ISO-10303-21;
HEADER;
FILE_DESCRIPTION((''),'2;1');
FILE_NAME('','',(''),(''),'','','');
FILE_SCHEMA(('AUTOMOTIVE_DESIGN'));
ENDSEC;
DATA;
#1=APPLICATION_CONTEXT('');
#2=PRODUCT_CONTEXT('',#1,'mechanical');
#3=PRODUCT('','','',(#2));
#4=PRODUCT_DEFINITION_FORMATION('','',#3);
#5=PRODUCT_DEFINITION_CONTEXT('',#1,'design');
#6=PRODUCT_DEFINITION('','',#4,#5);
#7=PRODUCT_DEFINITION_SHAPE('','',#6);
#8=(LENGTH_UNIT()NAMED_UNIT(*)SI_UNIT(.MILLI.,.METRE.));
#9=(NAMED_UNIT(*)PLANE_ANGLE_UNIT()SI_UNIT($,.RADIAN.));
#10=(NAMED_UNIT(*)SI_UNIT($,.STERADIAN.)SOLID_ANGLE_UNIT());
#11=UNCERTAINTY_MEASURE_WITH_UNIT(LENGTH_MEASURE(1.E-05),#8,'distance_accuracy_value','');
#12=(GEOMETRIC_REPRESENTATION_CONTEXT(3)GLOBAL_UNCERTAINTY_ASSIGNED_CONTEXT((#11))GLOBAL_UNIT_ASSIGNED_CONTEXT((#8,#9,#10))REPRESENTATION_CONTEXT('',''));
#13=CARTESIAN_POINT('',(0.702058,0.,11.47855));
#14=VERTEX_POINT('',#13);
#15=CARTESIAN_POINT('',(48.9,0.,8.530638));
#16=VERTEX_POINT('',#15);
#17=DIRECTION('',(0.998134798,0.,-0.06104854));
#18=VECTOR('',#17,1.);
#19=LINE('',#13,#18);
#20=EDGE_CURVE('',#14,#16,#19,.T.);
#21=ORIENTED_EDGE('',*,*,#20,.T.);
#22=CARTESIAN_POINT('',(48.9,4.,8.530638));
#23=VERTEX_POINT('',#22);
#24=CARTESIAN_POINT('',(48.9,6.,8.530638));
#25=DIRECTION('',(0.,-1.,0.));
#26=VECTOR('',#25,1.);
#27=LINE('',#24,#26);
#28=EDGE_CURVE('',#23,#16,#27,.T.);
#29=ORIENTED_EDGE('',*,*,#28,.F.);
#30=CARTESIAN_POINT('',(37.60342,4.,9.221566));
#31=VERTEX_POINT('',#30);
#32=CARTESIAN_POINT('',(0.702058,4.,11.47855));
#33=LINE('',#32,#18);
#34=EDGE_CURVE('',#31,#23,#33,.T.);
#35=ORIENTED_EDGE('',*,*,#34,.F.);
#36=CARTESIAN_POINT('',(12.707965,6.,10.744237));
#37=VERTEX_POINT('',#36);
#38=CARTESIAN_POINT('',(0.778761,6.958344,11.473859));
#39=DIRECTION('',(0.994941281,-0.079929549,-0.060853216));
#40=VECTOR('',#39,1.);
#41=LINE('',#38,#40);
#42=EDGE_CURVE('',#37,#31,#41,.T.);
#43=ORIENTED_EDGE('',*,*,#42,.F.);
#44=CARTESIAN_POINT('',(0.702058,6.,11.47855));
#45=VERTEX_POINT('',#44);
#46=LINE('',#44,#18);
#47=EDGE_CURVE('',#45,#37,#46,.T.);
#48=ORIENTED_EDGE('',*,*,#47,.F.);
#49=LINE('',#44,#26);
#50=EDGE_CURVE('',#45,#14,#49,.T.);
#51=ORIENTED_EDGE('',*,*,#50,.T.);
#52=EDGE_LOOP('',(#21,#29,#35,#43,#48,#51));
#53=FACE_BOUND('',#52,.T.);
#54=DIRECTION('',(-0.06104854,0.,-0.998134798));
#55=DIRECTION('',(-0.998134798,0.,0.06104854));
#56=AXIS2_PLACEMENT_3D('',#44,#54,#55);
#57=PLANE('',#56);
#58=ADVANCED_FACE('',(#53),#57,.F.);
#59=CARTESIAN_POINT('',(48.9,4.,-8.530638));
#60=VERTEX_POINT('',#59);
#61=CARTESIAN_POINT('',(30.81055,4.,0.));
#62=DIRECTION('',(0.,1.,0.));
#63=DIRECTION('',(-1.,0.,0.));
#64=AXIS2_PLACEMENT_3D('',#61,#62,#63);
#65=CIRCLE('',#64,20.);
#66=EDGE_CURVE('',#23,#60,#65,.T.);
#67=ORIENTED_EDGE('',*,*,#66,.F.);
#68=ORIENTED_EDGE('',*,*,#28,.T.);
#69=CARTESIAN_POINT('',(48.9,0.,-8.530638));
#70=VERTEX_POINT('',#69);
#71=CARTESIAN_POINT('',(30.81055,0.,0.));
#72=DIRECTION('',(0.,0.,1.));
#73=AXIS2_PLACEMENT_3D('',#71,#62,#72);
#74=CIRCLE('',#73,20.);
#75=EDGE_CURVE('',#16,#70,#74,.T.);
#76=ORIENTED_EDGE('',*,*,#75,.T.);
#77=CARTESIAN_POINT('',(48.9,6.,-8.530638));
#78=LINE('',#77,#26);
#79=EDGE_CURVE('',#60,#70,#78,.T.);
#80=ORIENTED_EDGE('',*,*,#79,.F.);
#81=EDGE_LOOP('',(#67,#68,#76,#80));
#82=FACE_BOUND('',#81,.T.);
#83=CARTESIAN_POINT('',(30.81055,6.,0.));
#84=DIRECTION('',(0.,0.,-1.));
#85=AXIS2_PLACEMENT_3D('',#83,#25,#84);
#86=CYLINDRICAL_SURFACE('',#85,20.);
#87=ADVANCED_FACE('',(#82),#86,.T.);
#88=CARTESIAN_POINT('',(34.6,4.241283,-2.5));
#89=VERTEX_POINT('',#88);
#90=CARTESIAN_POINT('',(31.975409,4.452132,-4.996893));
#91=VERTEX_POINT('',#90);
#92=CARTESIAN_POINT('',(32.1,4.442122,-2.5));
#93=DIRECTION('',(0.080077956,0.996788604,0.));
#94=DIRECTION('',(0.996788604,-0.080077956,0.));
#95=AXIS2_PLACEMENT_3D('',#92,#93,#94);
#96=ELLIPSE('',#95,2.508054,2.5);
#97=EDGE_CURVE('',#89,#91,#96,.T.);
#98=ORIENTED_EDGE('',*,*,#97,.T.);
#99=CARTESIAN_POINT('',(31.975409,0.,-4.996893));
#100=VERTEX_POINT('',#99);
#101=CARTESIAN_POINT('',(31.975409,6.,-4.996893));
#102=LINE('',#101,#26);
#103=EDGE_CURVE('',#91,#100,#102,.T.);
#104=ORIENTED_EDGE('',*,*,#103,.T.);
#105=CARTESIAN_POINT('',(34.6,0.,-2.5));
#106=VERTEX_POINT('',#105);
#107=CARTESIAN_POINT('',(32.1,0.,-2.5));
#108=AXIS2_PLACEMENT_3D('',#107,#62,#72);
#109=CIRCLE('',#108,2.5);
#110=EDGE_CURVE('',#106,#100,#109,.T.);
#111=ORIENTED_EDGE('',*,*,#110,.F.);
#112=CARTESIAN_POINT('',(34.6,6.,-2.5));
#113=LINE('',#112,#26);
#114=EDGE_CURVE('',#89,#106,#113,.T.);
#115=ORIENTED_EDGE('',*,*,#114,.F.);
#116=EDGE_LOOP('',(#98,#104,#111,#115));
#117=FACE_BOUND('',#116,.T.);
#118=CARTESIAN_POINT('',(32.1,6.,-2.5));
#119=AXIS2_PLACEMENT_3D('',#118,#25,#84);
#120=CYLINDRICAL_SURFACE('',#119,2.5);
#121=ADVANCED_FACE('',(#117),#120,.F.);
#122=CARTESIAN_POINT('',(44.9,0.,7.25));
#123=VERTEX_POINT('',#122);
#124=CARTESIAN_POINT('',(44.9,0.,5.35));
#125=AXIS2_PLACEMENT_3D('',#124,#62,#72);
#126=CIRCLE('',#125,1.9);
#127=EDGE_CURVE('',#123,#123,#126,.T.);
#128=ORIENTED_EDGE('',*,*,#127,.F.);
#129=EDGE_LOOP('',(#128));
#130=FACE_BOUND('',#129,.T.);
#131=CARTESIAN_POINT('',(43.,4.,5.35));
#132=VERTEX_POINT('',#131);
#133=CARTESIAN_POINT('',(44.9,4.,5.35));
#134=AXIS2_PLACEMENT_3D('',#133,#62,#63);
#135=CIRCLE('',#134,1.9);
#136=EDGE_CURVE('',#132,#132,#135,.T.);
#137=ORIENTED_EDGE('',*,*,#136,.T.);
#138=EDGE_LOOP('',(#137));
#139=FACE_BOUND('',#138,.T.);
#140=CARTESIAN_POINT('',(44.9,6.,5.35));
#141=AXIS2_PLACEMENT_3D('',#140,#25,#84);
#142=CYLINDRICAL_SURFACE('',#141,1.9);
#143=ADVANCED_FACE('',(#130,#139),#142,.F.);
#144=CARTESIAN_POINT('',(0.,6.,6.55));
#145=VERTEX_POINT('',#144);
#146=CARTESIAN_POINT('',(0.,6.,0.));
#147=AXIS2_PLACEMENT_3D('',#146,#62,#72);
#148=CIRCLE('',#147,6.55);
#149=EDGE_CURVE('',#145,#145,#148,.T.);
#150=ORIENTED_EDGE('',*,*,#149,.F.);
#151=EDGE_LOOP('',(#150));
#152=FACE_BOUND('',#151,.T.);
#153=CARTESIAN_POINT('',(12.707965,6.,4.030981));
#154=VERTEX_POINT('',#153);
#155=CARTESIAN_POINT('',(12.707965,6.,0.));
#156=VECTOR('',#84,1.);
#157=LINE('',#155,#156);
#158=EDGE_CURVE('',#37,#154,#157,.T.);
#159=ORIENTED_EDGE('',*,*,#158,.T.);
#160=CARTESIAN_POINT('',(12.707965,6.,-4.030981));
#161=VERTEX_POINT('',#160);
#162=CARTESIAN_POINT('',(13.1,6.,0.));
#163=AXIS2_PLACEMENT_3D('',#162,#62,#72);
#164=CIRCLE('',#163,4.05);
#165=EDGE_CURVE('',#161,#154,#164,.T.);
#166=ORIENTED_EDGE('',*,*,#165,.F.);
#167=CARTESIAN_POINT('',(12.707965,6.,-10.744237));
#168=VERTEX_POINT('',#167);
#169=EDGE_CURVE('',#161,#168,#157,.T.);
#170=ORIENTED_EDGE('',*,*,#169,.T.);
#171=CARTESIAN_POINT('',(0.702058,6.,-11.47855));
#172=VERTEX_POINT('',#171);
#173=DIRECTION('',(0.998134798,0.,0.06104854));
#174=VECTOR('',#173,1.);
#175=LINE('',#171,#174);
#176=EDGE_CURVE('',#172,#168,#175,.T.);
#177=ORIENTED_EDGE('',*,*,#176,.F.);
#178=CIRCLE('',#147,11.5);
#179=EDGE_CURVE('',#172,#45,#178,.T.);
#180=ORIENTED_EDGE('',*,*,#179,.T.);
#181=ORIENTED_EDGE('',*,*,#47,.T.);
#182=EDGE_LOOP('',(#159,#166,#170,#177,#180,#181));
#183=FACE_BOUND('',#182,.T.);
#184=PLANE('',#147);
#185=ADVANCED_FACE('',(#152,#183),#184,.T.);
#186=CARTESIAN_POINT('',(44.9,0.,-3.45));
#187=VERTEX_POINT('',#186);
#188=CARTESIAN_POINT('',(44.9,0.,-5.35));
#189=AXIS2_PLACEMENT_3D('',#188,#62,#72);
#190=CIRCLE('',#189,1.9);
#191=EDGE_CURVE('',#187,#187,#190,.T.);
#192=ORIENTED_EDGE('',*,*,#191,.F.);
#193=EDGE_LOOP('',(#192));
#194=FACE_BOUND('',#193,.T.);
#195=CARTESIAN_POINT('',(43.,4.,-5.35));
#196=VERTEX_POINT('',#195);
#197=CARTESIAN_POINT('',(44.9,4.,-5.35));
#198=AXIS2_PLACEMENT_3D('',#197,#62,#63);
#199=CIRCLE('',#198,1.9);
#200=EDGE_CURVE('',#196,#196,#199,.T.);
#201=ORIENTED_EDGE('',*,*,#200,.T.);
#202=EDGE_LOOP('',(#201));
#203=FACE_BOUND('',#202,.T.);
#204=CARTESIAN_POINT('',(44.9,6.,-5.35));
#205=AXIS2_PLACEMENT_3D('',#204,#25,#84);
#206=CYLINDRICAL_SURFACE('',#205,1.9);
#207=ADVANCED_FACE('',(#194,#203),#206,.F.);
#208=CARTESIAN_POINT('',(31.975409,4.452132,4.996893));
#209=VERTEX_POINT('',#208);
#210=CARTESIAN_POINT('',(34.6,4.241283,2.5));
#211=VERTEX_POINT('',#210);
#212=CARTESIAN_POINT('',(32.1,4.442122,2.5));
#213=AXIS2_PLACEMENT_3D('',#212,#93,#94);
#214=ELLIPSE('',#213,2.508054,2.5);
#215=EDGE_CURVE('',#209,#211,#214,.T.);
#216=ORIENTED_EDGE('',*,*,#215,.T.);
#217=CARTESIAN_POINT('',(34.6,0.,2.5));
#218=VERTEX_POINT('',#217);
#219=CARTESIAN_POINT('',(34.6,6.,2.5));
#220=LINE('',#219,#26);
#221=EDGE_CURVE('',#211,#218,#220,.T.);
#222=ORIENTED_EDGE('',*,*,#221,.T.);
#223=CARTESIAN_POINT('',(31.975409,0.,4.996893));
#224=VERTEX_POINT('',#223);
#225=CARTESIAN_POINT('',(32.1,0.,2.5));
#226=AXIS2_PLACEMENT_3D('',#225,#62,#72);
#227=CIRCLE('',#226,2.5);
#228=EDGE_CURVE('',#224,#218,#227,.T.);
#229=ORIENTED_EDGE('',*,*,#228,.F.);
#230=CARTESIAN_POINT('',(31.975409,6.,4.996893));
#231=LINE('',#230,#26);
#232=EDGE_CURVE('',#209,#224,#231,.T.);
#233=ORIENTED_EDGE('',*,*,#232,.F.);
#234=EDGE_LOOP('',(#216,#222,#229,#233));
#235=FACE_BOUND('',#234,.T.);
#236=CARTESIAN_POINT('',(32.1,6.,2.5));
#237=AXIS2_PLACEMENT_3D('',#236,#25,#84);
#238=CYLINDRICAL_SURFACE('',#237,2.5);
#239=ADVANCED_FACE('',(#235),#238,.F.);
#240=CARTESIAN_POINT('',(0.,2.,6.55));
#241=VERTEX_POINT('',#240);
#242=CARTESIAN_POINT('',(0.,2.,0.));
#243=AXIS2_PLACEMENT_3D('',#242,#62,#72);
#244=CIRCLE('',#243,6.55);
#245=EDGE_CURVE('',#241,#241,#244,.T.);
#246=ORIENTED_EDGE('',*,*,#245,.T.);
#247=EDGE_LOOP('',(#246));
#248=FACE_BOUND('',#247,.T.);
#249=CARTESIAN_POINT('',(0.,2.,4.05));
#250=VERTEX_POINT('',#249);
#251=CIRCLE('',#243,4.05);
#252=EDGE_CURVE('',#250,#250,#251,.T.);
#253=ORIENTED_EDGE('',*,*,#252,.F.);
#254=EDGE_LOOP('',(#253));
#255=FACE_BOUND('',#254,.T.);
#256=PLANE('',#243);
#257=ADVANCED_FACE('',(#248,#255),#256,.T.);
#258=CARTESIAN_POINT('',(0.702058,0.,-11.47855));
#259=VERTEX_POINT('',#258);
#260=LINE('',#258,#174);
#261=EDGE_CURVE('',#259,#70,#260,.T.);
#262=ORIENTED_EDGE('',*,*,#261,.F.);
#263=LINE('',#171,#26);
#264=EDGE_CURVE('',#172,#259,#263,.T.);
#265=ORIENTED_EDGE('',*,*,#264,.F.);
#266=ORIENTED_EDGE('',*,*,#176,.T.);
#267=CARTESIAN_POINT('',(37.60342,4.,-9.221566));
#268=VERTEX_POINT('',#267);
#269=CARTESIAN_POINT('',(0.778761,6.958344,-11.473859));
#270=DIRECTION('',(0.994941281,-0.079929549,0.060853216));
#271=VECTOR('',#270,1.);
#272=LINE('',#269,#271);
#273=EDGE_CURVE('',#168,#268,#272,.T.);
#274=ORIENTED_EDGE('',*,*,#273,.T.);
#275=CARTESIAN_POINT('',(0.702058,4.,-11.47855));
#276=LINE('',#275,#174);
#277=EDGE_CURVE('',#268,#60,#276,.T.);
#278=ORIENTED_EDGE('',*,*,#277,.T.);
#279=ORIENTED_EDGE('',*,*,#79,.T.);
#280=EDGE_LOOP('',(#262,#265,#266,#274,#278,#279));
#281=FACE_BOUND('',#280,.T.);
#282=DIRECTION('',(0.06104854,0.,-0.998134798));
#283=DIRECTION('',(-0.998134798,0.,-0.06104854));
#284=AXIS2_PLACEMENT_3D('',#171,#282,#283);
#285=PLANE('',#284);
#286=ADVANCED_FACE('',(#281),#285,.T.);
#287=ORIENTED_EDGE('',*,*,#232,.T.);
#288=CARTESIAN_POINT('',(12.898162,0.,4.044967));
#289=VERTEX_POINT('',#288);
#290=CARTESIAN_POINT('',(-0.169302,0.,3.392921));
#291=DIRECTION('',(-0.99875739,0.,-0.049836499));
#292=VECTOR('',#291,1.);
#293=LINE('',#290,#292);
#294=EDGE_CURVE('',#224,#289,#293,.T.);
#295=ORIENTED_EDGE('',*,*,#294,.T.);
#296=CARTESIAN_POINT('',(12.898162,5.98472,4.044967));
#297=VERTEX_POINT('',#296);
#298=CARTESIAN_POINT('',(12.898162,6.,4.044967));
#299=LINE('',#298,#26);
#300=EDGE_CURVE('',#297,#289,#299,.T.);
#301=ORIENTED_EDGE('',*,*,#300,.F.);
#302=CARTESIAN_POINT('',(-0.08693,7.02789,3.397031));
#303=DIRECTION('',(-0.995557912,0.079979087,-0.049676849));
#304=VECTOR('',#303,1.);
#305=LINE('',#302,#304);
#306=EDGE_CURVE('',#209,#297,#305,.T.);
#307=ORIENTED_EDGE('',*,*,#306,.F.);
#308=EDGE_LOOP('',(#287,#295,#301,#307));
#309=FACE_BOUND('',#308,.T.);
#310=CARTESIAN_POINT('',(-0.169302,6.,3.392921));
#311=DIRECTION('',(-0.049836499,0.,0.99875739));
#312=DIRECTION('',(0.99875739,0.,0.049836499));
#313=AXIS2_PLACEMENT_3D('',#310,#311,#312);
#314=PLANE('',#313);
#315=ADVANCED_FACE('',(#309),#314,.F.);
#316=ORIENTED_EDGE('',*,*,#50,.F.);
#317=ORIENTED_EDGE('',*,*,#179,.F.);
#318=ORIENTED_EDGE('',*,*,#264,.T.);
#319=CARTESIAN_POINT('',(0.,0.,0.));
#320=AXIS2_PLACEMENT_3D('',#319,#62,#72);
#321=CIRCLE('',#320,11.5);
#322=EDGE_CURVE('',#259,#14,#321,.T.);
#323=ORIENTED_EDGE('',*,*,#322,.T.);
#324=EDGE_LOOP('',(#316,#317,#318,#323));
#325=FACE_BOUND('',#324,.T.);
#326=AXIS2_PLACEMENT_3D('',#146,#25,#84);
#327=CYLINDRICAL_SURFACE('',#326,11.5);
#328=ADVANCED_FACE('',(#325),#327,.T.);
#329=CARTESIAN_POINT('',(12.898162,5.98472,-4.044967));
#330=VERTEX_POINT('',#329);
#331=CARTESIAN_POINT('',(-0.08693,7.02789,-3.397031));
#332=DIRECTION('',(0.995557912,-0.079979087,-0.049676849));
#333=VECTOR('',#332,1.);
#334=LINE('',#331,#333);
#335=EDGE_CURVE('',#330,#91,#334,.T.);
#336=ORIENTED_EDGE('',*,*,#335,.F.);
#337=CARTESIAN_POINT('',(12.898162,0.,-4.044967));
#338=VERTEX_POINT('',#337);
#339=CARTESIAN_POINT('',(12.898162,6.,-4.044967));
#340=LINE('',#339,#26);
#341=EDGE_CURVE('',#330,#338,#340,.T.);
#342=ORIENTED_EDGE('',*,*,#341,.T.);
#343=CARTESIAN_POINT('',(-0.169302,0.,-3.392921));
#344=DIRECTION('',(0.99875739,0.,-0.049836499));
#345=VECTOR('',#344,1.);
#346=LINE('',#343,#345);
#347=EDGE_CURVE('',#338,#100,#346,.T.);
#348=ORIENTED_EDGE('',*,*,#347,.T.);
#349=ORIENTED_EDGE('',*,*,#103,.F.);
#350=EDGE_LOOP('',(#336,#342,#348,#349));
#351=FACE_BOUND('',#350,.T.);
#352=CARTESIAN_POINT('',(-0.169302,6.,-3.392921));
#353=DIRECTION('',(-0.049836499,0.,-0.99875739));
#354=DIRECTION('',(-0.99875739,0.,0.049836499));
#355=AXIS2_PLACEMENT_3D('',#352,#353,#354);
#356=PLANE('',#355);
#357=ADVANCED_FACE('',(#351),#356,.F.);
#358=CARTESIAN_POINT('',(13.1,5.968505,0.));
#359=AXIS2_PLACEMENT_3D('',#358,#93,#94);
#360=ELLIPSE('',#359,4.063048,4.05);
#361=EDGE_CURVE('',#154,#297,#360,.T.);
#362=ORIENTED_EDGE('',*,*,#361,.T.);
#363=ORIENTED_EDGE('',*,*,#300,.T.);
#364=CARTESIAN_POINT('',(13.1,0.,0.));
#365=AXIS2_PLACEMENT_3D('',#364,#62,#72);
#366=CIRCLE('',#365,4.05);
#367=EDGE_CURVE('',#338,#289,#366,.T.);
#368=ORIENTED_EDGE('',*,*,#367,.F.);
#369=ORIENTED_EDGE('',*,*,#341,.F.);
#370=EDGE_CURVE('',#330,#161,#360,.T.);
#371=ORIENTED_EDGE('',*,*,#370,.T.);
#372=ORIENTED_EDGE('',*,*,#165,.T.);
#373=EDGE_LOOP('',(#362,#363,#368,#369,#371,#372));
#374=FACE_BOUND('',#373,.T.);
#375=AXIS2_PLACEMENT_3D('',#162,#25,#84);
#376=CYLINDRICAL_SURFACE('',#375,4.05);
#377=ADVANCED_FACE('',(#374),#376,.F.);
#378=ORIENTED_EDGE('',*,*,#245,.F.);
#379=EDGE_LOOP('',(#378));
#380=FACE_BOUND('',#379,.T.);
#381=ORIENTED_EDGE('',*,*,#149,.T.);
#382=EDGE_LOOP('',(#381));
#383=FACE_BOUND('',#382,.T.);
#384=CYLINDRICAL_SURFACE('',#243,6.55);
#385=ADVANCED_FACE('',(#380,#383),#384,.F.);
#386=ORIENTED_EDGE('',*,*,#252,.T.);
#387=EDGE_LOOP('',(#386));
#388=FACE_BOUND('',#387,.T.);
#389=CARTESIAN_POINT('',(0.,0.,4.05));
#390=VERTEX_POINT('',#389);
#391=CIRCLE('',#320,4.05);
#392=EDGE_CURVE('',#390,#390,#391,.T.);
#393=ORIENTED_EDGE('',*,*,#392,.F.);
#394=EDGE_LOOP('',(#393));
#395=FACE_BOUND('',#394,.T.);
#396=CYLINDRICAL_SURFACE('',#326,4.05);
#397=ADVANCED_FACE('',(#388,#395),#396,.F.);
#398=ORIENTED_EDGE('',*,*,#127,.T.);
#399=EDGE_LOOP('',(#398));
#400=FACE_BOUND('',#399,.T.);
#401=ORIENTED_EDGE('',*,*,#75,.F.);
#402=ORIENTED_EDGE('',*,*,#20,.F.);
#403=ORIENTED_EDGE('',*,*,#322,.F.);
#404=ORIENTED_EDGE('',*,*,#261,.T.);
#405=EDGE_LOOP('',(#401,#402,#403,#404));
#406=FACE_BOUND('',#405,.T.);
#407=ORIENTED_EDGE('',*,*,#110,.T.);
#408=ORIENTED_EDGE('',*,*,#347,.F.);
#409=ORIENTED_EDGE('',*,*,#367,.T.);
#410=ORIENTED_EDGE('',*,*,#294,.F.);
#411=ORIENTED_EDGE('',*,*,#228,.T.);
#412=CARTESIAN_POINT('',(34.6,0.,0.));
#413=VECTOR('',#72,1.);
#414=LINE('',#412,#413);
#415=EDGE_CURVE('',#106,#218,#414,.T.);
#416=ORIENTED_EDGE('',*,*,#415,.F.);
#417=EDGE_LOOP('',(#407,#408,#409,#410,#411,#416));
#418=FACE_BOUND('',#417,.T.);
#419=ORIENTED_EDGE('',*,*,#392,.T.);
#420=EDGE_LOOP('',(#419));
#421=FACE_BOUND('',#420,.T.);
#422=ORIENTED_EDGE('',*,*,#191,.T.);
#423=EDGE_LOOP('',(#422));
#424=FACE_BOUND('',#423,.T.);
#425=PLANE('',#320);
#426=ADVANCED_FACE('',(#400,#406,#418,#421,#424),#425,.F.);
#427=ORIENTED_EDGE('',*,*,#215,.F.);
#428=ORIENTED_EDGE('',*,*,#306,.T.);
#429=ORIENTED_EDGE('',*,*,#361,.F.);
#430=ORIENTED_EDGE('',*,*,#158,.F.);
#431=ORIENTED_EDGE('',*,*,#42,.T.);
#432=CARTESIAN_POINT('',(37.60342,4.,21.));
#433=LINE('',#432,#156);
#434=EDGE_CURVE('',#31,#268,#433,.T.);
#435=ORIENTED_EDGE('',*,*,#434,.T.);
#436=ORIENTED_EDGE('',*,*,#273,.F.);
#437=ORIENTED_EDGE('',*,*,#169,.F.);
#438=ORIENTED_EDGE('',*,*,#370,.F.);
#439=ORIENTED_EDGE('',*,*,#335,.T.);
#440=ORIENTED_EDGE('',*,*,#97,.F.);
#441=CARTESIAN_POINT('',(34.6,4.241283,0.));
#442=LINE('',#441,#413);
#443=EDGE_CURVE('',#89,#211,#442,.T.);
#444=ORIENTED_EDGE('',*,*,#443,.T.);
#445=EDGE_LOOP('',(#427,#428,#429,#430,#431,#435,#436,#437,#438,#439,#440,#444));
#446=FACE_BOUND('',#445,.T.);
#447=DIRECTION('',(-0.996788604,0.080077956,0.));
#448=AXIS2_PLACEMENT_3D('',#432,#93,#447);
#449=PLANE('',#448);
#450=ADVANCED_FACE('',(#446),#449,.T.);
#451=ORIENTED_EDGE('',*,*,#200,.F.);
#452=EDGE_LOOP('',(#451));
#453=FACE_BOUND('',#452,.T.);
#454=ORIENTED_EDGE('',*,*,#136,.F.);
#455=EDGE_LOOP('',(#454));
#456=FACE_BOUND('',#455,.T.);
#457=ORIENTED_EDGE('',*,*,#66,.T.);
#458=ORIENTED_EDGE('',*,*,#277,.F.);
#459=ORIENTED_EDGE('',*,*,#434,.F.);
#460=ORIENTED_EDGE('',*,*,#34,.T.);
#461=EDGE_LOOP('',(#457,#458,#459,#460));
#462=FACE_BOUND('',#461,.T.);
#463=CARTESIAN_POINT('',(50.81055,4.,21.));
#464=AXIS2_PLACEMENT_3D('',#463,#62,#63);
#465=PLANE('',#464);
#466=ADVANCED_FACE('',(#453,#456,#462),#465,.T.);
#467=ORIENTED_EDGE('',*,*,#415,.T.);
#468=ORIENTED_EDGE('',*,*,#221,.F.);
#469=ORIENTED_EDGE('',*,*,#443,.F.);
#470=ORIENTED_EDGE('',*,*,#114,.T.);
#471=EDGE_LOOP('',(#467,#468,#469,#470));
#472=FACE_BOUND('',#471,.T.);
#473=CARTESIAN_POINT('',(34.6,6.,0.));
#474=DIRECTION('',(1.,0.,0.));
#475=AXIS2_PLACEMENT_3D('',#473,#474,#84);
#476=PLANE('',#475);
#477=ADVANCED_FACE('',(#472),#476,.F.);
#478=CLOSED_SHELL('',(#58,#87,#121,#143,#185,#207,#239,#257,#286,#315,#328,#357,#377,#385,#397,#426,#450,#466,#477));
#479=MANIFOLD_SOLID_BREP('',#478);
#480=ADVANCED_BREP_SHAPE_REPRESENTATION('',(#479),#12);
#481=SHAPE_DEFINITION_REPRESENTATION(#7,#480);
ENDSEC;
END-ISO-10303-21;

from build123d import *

# Parameters (mm, degrees)
SKETCH1_R               = 1.9
SKETCH1_R_2             = 4.05
BOSS_EXTRUDE2_DEPTH     = 6
SKETCH2_R               = 6.55
CUT_EXTRUDE3_DEPTH      = 4
CUT_EXTRUDE2_DEPTH      = 21
CUT_EXTRUDE2_DEPTH_BACK = 16


with BuildPart() as part:
    # Sketch1 → Boss-Extrude2 (new body)
    with BuildSketch(Plane(origin=(0, 0, 0), x_dir=(1, 0, 0), z_dir=(0, 1, 0))):
        with BuildLine():
            Line((0.702058205, 11.478550182), (48.9, 8.530637776))
            ThreePointArc((48.9, 8.530637776), (50.810549507, 0), (48.9, -8.530637776))
            Line((48.9, -8.530637776), (0.702058205, -11.478550182))
            ThreePointArc((0.702058205, -11.478550182), (-11.5, 0), (0.702058205, 11.478550182))
        make_face()
        with Locations(Location((44.9, -5.35, 0), (0, 0, 270))):
            Circle(SKETCH1_R, mode=Mode.SUBTRACT)
        with Locations(Location((0, 0, 0), (0, 0, 270))):
            Circle(SKETCH1_R_2, mode=Mode.SUBTRACT)
        with Locations(Location((44.9, 5.35, 0), (0, 0, 270))):
            Circle(SKETCH1_R, mode=Mode.SUBTRACT)
        with BuildLine():
            Line((12.898162181, 4.044967428), (31.975408753, 4.996893474))
            ThreePointArc((31.975408753, 4.996893474), (33.823154358, 4.311281054), (34.6, 2.5))
            Line((34.6, 2.5), (34.6, -2.5))
            ThreePointArc((34.6, -2.5), (33.823154358, -4.311281054), (31.975408753, -4.996893474))
            Line((31.975408753, -4.996893474), (12.898162181, -4.044967428))
            ThreePointArc((12.898162181, -4.044967428), (9.05, 0), (12.898162181, 4.044967428))
        make_face(mode=Mode.SUBTRACT)
    extrude(amount=BOSS_EXTRUDE2_DEPTH)

    # Sketch2 → Cut-Extrude3 (cut)
    with BuildSketch(Plane(origin=(0, 6, 0), x_dir=(1, 0, 0), z_dir=(0, 1, 0))):
        with Locations(Location((0, 0, 0), (0, 0, 270))):
            Circle(SKETCH2_R)
    extrude(amount=-CUT_EXTRUDE3_DEPTH, mode=Mode.SUBTRACT)

    # Sketch3 → Cut-Extrude2 (cut, two sides: drawn at the far end of the back side and taken through both)
    with BuildSketch(Plane.XY.offset(-CUT_EXTRUDE2_DEPTH_BACK)):
        Polygon((50.810549507, 4), (37.603420494, 4), (12.707964704, 6), (50.810549507, 6), align=None)
    extrude(amount=CUT_EXTRUDE2_DEPTH + CUT_EXTRUDE2_DEPTH_BACK, mode=Mode.SUBTRACT)


solid = part.part
